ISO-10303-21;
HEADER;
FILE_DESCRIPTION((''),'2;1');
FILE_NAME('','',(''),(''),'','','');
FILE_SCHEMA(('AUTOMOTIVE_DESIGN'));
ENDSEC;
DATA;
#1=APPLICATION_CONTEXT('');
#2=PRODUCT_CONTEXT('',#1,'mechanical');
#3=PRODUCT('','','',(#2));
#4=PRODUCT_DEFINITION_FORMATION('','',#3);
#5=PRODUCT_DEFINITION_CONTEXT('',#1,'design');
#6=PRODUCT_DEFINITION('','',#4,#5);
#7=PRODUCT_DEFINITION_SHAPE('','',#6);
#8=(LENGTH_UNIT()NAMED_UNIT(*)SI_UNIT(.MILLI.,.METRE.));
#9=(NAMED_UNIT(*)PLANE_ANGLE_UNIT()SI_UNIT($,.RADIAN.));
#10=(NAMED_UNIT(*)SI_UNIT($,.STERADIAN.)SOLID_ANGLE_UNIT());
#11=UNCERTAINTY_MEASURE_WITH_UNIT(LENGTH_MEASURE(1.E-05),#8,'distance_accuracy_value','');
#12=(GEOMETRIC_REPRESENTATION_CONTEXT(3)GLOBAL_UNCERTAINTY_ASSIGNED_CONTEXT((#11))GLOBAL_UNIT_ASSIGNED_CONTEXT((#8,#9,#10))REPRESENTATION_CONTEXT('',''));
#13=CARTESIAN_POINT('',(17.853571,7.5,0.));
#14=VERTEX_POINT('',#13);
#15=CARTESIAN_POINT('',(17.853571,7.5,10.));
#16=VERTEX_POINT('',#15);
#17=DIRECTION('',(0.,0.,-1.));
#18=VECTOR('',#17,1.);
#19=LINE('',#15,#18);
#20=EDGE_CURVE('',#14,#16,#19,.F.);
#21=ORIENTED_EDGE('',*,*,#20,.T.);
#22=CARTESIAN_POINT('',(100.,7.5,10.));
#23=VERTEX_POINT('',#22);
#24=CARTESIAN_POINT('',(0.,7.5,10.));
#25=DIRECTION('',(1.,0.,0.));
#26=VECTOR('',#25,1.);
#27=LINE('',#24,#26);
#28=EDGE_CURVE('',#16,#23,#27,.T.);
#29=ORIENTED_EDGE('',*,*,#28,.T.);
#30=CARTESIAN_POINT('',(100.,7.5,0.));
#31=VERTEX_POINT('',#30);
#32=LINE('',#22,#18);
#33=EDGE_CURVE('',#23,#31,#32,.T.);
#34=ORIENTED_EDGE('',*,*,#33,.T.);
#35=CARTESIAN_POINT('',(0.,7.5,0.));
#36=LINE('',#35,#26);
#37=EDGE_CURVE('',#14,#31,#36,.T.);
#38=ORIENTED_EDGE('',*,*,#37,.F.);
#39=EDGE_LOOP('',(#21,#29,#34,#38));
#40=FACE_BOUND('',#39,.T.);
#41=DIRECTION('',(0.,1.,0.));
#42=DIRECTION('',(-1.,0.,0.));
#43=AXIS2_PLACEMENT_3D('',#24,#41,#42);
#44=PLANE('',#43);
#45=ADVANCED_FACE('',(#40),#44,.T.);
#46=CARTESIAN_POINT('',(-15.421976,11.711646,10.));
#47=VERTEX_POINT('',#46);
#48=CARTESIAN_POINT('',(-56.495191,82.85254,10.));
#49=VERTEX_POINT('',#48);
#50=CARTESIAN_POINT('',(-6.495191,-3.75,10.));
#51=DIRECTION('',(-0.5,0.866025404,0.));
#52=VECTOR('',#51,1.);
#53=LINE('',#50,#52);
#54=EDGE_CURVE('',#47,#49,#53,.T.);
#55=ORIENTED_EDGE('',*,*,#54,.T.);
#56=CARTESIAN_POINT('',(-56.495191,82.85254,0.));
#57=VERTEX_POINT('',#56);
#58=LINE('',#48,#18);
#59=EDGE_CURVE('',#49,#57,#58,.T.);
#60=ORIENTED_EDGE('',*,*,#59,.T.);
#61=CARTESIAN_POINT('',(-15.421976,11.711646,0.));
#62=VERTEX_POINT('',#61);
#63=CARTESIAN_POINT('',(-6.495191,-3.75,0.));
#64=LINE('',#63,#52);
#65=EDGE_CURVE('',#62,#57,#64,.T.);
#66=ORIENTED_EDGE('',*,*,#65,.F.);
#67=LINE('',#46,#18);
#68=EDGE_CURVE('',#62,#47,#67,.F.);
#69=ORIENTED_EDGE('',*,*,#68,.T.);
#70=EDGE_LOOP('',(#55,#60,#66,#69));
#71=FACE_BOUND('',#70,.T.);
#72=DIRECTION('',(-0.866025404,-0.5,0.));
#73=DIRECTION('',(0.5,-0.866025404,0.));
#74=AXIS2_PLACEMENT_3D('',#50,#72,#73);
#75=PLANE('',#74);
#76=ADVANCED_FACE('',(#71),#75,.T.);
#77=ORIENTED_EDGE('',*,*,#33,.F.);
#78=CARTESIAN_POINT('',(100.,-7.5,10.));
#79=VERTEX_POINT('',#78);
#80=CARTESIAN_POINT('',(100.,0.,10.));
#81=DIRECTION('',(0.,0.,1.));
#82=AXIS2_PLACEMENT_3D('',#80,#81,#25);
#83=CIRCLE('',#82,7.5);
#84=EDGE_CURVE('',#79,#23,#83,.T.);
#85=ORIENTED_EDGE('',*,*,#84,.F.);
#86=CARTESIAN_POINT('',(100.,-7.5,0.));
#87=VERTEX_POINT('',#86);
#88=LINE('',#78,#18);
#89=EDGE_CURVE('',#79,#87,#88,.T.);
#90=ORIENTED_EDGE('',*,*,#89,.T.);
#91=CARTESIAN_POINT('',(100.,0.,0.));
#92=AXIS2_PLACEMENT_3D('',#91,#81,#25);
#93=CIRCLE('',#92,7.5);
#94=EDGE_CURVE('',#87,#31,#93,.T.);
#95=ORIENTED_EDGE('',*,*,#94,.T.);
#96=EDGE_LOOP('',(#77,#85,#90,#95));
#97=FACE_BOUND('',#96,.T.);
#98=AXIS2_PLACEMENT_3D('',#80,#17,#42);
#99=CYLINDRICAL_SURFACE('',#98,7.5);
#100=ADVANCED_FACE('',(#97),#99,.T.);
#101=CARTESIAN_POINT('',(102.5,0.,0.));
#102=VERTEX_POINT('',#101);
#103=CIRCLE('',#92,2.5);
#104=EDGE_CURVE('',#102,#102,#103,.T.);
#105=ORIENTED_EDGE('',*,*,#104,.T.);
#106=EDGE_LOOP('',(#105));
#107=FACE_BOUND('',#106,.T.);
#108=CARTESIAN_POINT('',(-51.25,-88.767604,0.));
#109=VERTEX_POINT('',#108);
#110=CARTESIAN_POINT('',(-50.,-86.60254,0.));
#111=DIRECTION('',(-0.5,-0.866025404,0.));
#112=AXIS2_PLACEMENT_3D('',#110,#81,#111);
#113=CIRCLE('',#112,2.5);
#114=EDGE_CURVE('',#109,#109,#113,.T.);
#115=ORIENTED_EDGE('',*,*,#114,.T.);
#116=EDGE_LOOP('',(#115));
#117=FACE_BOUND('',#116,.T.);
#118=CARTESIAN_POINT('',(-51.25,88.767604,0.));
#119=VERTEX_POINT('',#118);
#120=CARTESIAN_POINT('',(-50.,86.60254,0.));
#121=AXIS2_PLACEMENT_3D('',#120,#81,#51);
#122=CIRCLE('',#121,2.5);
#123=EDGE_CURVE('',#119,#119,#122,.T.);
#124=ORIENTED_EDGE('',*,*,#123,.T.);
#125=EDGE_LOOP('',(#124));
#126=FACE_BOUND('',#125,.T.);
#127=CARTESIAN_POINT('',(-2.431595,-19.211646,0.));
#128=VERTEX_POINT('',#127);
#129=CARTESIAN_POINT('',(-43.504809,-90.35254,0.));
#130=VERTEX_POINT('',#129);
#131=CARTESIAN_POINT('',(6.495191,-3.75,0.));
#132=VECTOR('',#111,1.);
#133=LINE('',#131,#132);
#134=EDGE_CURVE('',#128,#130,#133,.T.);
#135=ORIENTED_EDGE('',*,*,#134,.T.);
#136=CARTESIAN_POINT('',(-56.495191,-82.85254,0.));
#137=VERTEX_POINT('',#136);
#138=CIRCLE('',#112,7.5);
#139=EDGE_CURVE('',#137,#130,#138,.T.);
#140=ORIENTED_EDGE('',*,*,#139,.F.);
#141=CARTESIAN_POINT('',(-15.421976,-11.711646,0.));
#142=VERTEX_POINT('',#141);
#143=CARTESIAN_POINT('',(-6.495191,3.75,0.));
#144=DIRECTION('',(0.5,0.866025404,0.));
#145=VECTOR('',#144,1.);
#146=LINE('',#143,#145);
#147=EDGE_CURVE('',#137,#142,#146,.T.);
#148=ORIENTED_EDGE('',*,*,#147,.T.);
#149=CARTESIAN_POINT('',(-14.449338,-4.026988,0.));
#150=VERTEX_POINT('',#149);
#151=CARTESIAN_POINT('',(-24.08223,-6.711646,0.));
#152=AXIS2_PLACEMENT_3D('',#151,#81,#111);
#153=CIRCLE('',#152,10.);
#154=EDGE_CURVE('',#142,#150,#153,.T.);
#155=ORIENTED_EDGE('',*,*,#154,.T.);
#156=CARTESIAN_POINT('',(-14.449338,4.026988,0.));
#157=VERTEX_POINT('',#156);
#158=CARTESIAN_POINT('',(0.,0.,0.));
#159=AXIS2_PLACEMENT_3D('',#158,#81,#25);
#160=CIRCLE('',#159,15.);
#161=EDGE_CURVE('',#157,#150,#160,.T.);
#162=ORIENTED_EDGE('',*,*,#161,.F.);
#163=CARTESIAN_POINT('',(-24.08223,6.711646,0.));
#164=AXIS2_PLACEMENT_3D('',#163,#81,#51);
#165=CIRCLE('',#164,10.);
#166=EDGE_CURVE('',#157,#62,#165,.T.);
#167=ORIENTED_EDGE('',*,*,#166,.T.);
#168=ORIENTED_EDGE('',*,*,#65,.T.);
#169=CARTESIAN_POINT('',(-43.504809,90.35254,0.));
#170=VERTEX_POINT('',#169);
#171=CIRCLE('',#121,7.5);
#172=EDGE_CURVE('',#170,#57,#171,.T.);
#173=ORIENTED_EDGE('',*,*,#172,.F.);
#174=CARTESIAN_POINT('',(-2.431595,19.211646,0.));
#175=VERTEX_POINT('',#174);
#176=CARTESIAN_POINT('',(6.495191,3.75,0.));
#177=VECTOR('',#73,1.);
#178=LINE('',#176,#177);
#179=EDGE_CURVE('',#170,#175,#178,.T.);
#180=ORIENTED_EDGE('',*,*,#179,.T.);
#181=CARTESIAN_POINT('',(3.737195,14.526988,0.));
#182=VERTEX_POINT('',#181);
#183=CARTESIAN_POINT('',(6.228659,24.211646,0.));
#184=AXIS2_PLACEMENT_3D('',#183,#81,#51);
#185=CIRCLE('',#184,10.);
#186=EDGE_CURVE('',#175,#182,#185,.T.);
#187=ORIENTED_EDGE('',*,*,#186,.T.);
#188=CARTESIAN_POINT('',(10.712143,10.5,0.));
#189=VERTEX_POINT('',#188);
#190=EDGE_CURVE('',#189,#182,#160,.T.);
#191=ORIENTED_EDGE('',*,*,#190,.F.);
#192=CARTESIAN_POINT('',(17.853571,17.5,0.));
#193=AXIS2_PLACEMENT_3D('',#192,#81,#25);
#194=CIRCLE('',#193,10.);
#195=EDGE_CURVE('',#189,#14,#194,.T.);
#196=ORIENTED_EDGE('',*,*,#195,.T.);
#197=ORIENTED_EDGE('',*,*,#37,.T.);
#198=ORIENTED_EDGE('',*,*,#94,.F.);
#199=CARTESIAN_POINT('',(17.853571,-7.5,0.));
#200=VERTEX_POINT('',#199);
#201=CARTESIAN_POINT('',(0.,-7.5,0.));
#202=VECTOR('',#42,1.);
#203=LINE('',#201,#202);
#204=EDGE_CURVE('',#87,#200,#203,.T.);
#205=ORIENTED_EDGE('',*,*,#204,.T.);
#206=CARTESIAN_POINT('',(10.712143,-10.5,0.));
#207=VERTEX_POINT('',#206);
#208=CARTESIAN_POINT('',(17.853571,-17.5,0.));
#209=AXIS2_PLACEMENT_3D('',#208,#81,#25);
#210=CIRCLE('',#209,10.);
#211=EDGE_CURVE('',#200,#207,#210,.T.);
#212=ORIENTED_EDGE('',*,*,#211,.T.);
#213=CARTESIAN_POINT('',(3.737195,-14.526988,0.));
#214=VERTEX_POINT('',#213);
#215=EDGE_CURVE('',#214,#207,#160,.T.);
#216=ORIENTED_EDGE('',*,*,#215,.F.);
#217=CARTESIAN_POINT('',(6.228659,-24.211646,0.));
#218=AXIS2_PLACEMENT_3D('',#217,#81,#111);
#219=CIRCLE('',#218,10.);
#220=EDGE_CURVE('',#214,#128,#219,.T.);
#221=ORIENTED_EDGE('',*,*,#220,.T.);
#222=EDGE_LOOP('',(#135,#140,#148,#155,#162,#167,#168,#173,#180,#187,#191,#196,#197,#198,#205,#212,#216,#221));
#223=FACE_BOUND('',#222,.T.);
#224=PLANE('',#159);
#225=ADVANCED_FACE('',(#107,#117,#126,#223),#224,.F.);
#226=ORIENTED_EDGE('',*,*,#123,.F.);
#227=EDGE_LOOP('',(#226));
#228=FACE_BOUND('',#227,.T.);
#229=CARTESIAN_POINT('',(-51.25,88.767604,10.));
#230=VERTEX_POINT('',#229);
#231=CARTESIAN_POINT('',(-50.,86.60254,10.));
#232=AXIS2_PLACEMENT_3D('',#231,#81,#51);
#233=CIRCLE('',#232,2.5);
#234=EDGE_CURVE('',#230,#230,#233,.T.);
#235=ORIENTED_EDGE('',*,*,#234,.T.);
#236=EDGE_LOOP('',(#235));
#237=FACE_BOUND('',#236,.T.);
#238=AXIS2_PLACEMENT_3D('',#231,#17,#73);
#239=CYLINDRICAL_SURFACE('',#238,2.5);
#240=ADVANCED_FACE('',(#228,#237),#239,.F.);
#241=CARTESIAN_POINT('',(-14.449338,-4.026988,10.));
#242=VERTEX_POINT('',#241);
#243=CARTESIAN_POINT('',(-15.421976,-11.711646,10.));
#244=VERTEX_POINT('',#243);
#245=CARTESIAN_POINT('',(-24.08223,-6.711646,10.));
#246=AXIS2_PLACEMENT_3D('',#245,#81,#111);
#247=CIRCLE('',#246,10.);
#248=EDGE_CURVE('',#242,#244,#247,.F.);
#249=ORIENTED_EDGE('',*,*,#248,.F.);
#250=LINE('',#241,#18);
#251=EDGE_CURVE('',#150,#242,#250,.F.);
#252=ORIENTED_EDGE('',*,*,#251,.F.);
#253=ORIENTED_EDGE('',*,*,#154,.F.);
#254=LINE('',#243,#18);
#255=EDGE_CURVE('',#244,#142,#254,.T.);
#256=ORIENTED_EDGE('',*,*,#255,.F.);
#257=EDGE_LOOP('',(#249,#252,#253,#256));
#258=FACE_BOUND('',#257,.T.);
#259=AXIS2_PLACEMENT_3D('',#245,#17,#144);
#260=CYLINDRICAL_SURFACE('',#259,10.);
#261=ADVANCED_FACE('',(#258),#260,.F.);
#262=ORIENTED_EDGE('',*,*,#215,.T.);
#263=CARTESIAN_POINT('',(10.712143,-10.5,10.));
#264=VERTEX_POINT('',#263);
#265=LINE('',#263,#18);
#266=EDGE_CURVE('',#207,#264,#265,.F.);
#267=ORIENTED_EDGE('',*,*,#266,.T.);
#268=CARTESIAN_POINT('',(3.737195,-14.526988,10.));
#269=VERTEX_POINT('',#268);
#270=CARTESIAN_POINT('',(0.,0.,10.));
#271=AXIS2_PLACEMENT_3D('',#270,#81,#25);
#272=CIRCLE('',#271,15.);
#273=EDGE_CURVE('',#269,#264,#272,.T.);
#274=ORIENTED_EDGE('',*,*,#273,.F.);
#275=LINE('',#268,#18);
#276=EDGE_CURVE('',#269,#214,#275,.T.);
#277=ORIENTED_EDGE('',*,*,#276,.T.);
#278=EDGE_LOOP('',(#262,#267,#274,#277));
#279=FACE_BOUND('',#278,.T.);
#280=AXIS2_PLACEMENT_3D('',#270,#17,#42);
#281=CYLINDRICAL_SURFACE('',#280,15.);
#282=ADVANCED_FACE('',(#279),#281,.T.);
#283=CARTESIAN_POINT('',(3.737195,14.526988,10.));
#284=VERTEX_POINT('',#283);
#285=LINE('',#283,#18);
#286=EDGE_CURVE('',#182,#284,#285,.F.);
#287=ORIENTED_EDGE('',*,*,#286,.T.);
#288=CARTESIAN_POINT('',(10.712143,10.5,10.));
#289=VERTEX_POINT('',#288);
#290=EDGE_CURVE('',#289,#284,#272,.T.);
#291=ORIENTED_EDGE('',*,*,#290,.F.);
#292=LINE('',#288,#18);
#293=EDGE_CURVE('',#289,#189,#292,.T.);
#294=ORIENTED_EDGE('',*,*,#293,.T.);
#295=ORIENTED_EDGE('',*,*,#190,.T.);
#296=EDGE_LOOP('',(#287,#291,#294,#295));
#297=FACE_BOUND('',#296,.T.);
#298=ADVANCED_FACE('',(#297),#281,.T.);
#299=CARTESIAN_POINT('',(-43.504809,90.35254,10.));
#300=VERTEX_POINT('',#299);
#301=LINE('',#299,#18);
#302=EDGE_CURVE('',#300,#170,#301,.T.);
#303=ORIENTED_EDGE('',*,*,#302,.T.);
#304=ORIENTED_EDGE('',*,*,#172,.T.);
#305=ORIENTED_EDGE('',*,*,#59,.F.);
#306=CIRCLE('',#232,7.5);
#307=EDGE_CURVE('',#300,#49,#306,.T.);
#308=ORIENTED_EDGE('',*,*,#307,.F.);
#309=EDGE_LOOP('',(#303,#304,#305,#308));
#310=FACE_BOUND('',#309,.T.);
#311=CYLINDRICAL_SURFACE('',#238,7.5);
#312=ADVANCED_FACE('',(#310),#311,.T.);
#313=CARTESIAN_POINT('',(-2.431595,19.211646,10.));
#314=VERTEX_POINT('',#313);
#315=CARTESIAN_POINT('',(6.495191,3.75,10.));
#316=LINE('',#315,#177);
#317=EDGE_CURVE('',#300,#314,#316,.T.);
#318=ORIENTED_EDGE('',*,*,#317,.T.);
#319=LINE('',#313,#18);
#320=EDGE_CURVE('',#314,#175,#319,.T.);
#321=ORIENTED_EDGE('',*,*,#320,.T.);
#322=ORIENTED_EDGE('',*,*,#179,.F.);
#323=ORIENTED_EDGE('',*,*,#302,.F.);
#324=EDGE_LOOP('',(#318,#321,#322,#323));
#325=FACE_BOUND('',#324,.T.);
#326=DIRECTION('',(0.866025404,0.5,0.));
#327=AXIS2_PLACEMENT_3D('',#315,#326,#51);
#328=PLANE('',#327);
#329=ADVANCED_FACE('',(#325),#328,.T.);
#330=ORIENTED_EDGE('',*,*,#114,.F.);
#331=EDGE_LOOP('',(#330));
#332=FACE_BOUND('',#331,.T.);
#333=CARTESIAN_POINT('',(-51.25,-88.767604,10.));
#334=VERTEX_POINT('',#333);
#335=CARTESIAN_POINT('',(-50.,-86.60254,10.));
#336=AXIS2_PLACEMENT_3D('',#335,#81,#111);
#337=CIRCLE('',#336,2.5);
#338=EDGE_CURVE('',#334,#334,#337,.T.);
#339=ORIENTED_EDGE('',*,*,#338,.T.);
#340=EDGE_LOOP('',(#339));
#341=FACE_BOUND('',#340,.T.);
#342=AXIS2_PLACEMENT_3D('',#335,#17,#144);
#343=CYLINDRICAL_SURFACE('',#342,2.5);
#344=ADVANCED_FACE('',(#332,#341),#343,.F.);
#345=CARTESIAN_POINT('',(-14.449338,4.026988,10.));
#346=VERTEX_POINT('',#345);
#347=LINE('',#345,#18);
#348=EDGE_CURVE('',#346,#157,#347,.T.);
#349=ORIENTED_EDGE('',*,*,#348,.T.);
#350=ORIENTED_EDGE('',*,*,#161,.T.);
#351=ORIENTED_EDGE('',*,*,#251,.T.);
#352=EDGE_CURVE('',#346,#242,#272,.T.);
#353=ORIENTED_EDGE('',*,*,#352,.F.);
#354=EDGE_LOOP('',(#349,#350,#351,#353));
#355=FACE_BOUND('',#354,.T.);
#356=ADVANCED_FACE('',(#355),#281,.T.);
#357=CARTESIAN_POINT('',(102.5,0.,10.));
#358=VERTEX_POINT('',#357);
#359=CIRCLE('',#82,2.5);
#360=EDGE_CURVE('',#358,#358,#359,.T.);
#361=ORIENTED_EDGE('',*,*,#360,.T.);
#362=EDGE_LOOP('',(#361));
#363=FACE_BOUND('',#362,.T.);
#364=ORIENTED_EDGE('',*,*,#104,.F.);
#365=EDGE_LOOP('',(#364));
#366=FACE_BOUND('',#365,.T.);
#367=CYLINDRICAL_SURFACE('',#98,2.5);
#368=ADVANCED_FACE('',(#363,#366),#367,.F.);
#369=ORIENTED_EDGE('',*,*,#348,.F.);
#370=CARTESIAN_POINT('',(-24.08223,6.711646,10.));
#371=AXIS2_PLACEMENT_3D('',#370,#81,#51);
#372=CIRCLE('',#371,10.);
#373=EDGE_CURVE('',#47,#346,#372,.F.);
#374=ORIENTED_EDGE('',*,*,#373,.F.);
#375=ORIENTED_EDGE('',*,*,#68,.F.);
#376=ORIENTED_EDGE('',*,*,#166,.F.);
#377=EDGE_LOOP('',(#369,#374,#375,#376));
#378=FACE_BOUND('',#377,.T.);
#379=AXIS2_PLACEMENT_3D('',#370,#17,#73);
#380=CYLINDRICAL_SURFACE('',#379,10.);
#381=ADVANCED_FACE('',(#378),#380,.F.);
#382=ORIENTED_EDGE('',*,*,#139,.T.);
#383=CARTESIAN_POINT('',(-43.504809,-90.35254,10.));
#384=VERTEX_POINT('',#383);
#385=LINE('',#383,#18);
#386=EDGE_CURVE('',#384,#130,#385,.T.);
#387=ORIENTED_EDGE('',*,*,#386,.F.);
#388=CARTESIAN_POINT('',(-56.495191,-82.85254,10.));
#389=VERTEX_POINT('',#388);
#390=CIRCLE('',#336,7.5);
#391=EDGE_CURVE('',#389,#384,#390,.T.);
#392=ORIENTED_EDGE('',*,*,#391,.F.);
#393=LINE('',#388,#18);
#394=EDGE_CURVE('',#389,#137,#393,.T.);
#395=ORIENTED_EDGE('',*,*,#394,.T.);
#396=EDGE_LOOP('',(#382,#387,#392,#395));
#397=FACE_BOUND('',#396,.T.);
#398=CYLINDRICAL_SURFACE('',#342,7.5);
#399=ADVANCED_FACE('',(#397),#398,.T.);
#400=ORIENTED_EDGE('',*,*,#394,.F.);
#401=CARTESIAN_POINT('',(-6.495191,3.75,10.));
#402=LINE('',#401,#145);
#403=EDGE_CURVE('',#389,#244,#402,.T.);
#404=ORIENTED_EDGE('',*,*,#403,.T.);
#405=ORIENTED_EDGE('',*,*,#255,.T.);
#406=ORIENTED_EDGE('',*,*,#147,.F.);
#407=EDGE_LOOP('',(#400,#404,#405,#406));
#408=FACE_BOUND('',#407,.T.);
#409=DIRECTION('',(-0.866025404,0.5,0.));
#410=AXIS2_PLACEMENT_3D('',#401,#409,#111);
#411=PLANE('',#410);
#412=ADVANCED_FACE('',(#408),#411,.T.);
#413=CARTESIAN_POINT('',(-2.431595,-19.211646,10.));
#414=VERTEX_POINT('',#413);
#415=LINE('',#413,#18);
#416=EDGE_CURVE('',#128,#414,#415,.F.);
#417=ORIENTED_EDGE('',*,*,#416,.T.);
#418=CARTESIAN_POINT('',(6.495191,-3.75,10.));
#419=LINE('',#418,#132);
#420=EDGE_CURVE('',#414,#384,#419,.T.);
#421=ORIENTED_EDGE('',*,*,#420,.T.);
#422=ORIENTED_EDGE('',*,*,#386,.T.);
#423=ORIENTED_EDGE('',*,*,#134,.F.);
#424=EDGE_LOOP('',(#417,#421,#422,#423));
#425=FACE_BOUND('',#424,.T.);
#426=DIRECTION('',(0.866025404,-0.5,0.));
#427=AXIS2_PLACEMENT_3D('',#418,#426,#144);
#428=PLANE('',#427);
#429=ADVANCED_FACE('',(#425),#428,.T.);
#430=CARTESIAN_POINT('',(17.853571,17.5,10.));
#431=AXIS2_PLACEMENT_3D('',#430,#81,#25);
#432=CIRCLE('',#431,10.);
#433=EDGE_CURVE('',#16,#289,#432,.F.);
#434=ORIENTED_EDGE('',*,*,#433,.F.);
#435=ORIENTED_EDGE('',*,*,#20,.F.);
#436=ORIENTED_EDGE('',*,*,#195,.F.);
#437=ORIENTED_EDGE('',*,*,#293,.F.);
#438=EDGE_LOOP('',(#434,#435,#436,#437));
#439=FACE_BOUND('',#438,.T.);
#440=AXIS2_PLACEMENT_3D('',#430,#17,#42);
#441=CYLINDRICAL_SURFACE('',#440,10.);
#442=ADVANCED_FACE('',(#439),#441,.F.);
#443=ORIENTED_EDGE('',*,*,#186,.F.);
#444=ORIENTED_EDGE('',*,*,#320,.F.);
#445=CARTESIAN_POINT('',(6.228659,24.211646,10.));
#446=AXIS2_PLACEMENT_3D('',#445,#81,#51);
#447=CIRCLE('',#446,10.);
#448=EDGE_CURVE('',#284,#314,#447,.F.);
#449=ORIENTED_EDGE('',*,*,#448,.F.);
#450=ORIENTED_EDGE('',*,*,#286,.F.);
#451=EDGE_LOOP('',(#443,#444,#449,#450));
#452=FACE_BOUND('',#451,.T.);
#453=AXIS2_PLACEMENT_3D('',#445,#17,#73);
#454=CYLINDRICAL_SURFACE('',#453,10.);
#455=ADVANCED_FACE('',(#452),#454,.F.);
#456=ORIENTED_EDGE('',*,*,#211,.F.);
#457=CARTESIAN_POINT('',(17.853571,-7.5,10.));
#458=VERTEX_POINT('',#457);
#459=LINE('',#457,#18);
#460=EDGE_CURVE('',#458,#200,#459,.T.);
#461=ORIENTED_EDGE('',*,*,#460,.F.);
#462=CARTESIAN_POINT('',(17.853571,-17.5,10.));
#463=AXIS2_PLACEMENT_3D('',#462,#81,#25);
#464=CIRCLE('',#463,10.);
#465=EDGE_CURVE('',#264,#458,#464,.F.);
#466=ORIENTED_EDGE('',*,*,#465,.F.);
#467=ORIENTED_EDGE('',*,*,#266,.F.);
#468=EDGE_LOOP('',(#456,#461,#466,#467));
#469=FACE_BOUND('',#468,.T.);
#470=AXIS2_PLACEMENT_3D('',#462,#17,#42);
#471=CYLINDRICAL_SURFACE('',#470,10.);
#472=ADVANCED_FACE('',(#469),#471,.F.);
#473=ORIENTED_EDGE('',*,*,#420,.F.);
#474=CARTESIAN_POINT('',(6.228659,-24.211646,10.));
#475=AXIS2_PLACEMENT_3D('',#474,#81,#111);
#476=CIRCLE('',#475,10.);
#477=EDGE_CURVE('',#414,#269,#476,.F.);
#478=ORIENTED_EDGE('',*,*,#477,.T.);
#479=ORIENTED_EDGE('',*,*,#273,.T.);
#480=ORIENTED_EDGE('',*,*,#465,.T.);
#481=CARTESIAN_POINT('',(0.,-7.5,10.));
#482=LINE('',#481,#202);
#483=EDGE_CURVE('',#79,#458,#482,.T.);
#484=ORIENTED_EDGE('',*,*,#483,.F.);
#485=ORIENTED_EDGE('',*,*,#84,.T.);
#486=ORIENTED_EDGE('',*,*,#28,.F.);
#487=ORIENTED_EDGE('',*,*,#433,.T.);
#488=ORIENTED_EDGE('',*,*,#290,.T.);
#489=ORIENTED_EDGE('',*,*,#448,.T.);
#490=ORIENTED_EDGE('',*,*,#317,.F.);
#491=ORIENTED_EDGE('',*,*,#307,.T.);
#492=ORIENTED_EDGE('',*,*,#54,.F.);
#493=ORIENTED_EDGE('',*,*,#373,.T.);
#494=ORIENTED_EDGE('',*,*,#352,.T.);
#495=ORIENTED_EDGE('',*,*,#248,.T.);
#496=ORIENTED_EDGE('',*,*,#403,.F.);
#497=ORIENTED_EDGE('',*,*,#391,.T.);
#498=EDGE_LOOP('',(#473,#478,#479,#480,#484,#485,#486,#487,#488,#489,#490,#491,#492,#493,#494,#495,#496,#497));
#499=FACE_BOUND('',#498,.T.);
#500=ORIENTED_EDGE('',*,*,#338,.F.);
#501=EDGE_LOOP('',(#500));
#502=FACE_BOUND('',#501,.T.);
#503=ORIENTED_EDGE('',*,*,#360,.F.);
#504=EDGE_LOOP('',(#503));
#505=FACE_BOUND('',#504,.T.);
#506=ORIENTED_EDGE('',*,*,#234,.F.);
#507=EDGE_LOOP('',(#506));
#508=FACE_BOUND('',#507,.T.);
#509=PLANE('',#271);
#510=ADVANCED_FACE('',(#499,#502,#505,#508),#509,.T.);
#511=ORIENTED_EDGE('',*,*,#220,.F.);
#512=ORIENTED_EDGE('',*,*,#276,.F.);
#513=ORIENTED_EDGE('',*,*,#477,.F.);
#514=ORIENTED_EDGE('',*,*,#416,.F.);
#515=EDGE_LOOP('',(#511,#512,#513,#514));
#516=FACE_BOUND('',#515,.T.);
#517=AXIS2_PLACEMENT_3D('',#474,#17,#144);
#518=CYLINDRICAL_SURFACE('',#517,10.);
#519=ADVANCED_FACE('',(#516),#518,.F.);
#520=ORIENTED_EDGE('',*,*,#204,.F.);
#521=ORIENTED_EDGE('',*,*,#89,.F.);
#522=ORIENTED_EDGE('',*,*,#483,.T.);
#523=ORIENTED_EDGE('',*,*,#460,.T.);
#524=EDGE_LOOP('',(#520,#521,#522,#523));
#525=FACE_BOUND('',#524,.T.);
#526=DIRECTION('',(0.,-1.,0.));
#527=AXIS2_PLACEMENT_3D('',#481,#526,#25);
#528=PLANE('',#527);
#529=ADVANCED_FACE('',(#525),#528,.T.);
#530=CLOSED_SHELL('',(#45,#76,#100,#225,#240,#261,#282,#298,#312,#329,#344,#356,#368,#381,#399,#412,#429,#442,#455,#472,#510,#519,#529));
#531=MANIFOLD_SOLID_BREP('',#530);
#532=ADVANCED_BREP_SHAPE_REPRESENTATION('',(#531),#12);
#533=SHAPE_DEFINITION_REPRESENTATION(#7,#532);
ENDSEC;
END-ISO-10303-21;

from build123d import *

# Parameters (mm, degrees)
SKETCH1_R                = 2.5
BOSS_EXTRUDE1_DEPTH      = 10
FILLET1_R                = 10
CIRPATTERN2_COUNT        = 3
FILLET1_OF_CIRPATTERN2_R = 10


with BuildPart() as part:
    # Sketch1 → Boss-Extrude1 (new body)
    with BuildSketch(Plane.XY):
        with BuildLine():
            Line((100, 7.5), (12.990381057, 7.5))
            ThreePointArc((12.990381057, 7.5), (-15, 0), (12.990381057, -7.5))
            Line((12.990381057, -7.5), (100, -7.5))
            ThreePointArc((100, -7.5), (107.5, 0), (100, 7.5))
        make_face()
        with Locations((100, 0)):
            Circle(SKETCH1_R, mode=Mode.SUBTRACT)
    boss_extrude1 = extrude(amount=BOSS_EXTRUDE1_DEPTH)

    # Fillet1
    fillet1_edges = [part.edges().sort_by_distance(p)[0] for p in [
        (12.990381057, 7.5, 5),
        (12.990381057, -7.5, 5),
    ]]
    fillet(fillet1_edges, radius=FILLET1_R)

    # CirPattern2: Boss-Extrude1 ×3 about axis
    cirpattern2_axis = Axis((0, 0, 10), (0, 0, -1))
    for i in range(1, CIRPATTERN2_COUNT):
        add(boss_extrude1.rotate(cirpattern2_axis, i * 360 / CIRPATTERN2_COUNT))

    # Fillet1 of CirPattern2
    fillet1_of_cirpattern2_edges = [part.edges().sort_by_distance(p)[0] for p in [
        (0, -15, 5),
        (-12.990381057, -7.5, 5),
        (-12.990381057, 7.5, 5),
        (0, 15, 5),
    ]]
    fillet(fillet1_of_cirpattern2_edges, radius=FILLET1_OF_CIRPATTERN2_R)


solid = part.part
